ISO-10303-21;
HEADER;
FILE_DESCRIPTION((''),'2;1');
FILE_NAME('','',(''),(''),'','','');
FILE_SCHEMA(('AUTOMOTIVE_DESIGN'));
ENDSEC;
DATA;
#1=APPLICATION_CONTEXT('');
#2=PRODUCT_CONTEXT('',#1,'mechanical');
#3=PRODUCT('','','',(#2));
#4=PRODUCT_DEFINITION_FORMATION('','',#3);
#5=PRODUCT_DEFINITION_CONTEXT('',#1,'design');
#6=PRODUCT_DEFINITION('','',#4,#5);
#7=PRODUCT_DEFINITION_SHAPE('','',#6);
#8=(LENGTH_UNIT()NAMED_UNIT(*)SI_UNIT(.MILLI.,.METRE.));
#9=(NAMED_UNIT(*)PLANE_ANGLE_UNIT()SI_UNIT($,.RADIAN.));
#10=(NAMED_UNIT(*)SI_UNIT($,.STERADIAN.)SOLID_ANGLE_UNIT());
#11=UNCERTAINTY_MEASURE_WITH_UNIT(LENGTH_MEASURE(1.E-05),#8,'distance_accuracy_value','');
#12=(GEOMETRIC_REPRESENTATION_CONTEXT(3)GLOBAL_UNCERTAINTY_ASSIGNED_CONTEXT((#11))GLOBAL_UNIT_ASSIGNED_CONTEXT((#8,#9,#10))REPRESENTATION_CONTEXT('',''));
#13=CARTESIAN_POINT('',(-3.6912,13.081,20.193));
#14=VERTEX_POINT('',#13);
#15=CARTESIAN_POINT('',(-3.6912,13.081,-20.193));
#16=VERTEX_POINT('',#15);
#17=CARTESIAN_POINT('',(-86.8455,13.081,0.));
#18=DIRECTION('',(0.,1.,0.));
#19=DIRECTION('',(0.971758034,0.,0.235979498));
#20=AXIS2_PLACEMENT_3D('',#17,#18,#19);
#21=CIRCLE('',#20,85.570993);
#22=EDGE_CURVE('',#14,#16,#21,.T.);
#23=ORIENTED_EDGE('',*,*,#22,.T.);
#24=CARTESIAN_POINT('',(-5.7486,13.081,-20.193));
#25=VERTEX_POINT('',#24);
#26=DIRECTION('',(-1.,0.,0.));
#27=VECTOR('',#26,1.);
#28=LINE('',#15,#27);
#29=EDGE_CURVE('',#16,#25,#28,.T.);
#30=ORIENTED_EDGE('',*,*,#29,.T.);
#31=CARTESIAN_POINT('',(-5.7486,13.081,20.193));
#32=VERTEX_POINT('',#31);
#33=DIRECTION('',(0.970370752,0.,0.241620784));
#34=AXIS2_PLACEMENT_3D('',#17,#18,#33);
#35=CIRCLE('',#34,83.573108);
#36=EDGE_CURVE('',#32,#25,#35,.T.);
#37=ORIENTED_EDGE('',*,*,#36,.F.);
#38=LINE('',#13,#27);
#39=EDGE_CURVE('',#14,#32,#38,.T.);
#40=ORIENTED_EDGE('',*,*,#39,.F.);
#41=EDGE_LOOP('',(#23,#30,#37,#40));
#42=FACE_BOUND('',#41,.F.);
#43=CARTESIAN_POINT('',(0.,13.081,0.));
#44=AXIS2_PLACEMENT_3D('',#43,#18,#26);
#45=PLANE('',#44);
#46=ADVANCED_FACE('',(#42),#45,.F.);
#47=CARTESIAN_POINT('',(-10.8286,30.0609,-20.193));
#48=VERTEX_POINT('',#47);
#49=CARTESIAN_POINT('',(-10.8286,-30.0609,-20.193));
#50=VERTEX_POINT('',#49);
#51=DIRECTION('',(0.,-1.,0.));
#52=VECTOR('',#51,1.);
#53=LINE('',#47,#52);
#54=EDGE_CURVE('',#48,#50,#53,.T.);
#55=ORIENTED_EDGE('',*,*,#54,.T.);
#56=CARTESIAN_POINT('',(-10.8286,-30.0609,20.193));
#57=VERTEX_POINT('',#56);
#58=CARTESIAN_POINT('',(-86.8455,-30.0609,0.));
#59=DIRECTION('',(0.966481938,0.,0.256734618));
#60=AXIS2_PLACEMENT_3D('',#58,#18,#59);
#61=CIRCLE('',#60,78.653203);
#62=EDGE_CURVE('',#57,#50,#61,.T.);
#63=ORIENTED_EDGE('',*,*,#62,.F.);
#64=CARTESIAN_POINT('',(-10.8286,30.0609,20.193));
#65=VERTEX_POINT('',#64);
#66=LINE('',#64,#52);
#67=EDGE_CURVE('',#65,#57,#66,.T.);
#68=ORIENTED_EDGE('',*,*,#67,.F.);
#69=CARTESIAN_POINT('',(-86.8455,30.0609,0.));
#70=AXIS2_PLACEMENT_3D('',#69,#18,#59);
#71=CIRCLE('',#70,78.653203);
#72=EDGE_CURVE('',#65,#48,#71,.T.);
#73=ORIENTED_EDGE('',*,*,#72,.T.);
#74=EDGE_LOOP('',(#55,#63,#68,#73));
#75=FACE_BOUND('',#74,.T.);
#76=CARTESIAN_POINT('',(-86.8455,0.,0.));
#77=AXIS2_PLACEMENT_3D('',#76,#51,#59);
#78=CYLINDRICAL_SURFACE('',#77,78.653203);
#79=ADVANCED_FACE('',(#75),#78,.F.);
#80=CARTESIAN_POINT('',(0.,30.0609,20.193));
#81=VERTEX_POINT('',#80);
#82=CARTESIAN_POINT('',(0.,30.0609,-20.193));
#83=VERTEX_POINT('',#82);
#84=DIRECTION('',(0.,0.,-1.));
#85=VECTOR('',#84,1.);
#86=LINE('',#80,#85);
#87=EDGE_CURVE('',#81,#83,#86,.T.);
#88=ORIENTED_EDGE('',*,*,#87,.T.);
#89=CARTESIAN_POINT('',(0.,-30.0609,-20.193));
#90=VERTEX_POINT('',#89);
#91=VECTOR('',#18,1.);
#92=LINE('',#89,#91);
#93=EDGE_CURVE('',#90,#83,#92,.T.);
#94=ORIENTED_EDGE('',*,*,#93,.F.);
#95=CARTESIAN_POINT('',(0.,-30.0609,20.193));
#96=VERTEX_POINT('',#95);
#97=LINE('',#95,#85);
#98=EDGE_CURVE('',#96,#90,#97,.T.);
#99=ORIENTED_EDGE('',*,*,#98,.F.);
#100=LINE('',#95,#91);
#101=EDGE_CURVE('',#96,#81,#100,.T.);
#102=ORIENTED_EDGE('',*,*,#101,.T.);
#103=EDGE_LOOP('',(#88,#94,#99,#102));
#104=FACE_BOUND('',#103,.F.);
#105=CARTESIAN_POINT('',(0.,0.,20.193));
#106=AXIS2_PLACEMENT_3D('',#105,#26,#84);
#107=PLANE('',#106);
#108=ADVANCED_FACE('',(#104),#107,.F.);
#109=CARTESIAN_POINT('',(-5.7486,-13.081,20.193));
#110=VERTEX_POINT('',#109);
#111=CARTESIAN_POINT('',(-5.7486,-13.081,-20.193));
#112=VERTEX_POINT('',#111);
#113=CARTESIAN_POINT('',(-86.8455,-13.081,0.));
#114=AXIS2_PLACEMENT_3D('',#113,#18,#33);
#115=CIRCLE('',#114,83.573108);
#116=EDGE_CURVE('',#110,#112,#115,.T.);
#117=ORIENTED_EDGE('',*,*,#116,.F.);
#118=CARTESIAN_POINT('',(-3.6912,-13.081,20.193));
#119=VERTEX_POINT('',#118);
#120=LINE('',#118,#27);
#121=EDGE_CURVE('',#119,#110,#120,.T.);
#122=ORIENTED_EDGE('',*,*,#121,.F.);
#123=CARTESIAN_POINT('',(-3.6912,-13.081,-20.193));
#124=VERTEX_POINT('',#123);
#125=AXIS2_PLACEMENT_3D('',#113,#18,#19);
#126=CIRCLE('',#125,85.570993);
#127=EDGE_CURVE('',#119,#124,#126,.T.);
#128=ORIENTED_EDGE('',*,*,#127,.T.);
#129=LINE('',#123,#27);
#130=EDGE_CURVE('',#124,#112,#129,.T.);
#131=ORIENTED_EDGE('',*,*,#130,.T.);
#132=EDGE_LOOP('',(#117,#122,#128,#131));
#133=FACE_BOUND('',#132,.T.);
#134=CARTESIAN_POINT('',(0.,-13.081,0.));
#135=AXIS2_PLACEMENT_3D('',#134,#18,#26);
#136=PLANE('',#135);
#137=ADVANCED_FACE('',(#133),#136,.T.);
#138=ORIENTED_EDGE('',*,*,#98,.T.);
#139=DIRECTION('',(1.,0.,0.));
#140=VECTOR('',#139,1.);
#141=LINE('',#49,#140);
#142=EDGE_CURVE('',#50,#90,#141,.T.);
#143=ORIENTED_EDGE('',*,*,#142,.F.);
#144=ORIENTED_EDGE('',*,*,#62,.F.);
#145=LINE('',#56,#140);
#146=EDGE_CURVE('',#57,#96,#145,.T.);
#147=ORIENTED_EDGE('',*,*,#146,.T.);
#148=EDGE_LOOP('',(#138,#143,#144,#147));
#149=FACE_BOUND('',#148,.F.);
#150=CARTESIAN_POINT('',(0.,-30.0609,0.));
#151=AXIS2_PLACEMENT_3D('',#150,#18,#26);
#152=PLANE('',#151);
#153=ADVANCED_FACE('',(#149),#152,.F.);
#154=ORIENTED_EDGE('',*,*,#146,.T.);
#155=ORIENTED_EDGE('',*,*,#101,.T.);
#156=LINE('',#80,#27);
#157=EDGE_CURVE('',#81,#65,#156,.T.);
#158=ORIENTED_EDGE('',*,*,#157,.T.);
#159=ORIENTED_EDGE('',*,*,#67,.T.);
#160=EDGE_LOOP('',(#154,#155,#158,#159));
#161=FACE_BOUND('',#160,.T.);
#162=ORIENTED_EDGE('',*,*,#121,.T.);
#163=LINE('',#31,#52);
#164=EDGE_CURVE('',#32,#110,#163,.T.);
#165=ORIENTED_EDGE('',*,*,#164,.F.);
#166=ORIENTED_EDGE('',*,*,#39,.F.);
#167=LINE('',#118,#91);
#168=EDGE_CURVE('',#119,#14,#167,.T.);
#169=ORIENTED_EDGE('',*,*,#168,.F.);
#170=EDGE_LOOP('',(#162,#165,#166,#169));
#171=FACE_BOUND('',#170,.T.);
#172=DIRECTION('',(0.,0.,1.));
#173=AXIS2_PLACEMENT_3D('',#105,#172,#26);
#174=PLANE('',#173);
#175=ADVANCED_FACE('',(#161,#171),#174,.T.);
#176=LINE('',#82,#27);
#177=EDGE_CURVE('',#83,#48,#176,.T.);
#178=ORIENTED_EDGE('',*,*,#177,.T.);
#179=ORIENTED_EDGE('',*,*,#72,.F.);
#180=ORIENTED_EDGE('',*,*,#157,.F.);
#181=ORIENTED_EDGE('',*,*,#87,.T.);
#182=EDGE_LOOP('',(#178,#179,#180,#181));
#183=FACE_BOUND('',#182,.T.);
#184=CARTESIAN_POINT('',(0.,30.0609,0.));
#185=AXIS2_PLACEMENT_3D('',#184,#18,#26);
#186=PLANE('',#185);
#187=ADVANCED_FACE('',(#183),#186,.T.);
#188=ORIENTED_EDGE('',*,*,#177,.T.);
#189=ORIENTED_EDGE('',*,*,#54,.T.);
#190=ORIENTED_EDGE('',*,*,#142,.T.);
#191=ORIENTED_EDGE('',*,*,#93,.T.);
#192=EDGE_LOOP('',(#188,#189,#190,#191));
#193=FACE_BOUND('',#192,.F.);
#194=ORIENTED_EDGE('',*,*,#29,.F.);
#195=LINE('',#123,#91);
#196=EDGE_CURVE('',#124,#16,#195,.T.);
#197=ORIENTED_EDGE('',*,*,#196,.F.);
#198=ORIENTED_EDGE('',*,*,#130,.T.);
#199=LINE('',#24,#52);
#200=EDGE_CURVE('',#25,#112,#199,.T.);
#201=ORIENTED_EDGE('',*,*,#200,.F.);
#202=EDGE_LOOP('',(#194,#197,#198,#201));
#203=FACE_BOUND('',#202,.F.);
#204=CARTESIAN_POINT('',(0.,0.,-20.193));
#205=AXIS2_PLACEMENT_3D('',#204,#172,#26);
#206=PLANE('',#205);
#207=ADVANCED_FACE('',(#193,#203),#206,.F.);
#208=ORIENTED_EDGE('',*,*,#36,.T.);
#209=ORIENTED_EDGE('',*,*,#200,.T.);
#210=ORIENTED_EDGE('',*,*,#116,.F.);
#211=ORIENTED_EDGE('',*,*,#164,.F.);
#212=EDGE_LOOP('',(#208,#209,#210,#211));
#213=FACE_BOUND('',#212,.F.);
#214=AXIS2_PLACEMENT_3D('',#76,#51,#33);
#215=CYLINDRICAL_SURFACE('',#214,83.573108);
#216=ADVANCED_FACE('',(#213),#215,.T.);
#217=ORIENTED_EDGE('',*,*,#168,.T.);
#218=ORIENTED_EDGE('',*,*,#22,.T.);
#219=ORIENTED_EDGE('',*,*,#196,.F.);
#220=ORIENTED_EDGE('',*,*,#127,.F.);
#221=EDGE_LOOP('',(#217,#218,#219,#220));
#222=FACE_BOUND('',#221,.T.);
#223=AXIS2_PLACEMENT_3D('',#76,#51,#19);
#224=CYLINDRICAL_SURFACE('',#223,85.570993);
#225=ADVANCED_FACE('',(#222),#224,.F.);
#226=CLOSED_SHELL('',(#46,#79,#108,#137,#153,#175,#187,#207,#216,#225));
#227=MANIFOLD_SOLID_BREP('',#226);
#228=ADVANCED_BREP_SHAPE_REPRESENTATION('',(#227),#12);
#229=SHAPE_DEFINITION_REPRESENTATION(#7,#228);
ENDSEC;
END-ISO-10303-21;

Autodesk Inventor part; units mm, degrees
ref_plane "YZ Plane" through (0, 0, 0) normal (1, 0, 0) x (0, 1, 0)
ref_plane "XZ Plane" through (0, 0, 0) normal (0, 1, 0) x (-1, 0, 0)
ref_plane "XY Plane" through (0, 0, 0) normal (0, 0, 1) x (1, 0, 0)
sketch "Sketch1" plane through (0, 0, 0) normal (0, 1, 0) x (-1, 0, 0)
  line L0 (0, 20.193) -> (0, -20.193)
  line L1 (0, -20.193) -> (3.6912, -20.193)
  line L2 (0, 20.193) -> (3.6912, 20.193)
  arc A0 (10.8286, 20.193) -> (10.8286, -20.193) centre (86.8455, 0) ccw
  arc A1 (5.7486, 20.193) -> (5.7486, -20.193) centre (86.8455, 0) ccw
  arc A2 (3.6912, 20.193) -> (3.6912, -20.193) centre (86.8455, 0) ccw
  line L3 (5.7486, 20.193) -> (10.8286, 20.193)
  line L4 (3.6912, 20.193) -> (5.7486, 20.193)
  line L5 (3.6912, -20.193) -> (5.7486, -20.193)
  line L6 (5.7486, -20.193) -> (10.8286, -20.193)
  point P0 (0, 0)
  point P1 (8.1923, 0)
  point P2 (0, 0)
  dimension "d0" = 2.0574
  dimension "d1" = 5.08
  dimension "d2" = 8.1923
  dimension "d3" = 40.386
  dimension "d4" = 10.8286
extrude "Extrusion1" add sketch "Sketch1" along normal mid plane 60.1218
extrude "Extrusion2" cut sketch "Sketch1" along normal mid plane 26.162 contours L4 A1 L5 A2
equation "\"d2\" = LowerArch"
equation "\"d4\" = Height"
equation "\"Height\" = 10.828576"
equation "\"LowerArch\" = 8.192275"
properties part number "Cover" material "Glass"
